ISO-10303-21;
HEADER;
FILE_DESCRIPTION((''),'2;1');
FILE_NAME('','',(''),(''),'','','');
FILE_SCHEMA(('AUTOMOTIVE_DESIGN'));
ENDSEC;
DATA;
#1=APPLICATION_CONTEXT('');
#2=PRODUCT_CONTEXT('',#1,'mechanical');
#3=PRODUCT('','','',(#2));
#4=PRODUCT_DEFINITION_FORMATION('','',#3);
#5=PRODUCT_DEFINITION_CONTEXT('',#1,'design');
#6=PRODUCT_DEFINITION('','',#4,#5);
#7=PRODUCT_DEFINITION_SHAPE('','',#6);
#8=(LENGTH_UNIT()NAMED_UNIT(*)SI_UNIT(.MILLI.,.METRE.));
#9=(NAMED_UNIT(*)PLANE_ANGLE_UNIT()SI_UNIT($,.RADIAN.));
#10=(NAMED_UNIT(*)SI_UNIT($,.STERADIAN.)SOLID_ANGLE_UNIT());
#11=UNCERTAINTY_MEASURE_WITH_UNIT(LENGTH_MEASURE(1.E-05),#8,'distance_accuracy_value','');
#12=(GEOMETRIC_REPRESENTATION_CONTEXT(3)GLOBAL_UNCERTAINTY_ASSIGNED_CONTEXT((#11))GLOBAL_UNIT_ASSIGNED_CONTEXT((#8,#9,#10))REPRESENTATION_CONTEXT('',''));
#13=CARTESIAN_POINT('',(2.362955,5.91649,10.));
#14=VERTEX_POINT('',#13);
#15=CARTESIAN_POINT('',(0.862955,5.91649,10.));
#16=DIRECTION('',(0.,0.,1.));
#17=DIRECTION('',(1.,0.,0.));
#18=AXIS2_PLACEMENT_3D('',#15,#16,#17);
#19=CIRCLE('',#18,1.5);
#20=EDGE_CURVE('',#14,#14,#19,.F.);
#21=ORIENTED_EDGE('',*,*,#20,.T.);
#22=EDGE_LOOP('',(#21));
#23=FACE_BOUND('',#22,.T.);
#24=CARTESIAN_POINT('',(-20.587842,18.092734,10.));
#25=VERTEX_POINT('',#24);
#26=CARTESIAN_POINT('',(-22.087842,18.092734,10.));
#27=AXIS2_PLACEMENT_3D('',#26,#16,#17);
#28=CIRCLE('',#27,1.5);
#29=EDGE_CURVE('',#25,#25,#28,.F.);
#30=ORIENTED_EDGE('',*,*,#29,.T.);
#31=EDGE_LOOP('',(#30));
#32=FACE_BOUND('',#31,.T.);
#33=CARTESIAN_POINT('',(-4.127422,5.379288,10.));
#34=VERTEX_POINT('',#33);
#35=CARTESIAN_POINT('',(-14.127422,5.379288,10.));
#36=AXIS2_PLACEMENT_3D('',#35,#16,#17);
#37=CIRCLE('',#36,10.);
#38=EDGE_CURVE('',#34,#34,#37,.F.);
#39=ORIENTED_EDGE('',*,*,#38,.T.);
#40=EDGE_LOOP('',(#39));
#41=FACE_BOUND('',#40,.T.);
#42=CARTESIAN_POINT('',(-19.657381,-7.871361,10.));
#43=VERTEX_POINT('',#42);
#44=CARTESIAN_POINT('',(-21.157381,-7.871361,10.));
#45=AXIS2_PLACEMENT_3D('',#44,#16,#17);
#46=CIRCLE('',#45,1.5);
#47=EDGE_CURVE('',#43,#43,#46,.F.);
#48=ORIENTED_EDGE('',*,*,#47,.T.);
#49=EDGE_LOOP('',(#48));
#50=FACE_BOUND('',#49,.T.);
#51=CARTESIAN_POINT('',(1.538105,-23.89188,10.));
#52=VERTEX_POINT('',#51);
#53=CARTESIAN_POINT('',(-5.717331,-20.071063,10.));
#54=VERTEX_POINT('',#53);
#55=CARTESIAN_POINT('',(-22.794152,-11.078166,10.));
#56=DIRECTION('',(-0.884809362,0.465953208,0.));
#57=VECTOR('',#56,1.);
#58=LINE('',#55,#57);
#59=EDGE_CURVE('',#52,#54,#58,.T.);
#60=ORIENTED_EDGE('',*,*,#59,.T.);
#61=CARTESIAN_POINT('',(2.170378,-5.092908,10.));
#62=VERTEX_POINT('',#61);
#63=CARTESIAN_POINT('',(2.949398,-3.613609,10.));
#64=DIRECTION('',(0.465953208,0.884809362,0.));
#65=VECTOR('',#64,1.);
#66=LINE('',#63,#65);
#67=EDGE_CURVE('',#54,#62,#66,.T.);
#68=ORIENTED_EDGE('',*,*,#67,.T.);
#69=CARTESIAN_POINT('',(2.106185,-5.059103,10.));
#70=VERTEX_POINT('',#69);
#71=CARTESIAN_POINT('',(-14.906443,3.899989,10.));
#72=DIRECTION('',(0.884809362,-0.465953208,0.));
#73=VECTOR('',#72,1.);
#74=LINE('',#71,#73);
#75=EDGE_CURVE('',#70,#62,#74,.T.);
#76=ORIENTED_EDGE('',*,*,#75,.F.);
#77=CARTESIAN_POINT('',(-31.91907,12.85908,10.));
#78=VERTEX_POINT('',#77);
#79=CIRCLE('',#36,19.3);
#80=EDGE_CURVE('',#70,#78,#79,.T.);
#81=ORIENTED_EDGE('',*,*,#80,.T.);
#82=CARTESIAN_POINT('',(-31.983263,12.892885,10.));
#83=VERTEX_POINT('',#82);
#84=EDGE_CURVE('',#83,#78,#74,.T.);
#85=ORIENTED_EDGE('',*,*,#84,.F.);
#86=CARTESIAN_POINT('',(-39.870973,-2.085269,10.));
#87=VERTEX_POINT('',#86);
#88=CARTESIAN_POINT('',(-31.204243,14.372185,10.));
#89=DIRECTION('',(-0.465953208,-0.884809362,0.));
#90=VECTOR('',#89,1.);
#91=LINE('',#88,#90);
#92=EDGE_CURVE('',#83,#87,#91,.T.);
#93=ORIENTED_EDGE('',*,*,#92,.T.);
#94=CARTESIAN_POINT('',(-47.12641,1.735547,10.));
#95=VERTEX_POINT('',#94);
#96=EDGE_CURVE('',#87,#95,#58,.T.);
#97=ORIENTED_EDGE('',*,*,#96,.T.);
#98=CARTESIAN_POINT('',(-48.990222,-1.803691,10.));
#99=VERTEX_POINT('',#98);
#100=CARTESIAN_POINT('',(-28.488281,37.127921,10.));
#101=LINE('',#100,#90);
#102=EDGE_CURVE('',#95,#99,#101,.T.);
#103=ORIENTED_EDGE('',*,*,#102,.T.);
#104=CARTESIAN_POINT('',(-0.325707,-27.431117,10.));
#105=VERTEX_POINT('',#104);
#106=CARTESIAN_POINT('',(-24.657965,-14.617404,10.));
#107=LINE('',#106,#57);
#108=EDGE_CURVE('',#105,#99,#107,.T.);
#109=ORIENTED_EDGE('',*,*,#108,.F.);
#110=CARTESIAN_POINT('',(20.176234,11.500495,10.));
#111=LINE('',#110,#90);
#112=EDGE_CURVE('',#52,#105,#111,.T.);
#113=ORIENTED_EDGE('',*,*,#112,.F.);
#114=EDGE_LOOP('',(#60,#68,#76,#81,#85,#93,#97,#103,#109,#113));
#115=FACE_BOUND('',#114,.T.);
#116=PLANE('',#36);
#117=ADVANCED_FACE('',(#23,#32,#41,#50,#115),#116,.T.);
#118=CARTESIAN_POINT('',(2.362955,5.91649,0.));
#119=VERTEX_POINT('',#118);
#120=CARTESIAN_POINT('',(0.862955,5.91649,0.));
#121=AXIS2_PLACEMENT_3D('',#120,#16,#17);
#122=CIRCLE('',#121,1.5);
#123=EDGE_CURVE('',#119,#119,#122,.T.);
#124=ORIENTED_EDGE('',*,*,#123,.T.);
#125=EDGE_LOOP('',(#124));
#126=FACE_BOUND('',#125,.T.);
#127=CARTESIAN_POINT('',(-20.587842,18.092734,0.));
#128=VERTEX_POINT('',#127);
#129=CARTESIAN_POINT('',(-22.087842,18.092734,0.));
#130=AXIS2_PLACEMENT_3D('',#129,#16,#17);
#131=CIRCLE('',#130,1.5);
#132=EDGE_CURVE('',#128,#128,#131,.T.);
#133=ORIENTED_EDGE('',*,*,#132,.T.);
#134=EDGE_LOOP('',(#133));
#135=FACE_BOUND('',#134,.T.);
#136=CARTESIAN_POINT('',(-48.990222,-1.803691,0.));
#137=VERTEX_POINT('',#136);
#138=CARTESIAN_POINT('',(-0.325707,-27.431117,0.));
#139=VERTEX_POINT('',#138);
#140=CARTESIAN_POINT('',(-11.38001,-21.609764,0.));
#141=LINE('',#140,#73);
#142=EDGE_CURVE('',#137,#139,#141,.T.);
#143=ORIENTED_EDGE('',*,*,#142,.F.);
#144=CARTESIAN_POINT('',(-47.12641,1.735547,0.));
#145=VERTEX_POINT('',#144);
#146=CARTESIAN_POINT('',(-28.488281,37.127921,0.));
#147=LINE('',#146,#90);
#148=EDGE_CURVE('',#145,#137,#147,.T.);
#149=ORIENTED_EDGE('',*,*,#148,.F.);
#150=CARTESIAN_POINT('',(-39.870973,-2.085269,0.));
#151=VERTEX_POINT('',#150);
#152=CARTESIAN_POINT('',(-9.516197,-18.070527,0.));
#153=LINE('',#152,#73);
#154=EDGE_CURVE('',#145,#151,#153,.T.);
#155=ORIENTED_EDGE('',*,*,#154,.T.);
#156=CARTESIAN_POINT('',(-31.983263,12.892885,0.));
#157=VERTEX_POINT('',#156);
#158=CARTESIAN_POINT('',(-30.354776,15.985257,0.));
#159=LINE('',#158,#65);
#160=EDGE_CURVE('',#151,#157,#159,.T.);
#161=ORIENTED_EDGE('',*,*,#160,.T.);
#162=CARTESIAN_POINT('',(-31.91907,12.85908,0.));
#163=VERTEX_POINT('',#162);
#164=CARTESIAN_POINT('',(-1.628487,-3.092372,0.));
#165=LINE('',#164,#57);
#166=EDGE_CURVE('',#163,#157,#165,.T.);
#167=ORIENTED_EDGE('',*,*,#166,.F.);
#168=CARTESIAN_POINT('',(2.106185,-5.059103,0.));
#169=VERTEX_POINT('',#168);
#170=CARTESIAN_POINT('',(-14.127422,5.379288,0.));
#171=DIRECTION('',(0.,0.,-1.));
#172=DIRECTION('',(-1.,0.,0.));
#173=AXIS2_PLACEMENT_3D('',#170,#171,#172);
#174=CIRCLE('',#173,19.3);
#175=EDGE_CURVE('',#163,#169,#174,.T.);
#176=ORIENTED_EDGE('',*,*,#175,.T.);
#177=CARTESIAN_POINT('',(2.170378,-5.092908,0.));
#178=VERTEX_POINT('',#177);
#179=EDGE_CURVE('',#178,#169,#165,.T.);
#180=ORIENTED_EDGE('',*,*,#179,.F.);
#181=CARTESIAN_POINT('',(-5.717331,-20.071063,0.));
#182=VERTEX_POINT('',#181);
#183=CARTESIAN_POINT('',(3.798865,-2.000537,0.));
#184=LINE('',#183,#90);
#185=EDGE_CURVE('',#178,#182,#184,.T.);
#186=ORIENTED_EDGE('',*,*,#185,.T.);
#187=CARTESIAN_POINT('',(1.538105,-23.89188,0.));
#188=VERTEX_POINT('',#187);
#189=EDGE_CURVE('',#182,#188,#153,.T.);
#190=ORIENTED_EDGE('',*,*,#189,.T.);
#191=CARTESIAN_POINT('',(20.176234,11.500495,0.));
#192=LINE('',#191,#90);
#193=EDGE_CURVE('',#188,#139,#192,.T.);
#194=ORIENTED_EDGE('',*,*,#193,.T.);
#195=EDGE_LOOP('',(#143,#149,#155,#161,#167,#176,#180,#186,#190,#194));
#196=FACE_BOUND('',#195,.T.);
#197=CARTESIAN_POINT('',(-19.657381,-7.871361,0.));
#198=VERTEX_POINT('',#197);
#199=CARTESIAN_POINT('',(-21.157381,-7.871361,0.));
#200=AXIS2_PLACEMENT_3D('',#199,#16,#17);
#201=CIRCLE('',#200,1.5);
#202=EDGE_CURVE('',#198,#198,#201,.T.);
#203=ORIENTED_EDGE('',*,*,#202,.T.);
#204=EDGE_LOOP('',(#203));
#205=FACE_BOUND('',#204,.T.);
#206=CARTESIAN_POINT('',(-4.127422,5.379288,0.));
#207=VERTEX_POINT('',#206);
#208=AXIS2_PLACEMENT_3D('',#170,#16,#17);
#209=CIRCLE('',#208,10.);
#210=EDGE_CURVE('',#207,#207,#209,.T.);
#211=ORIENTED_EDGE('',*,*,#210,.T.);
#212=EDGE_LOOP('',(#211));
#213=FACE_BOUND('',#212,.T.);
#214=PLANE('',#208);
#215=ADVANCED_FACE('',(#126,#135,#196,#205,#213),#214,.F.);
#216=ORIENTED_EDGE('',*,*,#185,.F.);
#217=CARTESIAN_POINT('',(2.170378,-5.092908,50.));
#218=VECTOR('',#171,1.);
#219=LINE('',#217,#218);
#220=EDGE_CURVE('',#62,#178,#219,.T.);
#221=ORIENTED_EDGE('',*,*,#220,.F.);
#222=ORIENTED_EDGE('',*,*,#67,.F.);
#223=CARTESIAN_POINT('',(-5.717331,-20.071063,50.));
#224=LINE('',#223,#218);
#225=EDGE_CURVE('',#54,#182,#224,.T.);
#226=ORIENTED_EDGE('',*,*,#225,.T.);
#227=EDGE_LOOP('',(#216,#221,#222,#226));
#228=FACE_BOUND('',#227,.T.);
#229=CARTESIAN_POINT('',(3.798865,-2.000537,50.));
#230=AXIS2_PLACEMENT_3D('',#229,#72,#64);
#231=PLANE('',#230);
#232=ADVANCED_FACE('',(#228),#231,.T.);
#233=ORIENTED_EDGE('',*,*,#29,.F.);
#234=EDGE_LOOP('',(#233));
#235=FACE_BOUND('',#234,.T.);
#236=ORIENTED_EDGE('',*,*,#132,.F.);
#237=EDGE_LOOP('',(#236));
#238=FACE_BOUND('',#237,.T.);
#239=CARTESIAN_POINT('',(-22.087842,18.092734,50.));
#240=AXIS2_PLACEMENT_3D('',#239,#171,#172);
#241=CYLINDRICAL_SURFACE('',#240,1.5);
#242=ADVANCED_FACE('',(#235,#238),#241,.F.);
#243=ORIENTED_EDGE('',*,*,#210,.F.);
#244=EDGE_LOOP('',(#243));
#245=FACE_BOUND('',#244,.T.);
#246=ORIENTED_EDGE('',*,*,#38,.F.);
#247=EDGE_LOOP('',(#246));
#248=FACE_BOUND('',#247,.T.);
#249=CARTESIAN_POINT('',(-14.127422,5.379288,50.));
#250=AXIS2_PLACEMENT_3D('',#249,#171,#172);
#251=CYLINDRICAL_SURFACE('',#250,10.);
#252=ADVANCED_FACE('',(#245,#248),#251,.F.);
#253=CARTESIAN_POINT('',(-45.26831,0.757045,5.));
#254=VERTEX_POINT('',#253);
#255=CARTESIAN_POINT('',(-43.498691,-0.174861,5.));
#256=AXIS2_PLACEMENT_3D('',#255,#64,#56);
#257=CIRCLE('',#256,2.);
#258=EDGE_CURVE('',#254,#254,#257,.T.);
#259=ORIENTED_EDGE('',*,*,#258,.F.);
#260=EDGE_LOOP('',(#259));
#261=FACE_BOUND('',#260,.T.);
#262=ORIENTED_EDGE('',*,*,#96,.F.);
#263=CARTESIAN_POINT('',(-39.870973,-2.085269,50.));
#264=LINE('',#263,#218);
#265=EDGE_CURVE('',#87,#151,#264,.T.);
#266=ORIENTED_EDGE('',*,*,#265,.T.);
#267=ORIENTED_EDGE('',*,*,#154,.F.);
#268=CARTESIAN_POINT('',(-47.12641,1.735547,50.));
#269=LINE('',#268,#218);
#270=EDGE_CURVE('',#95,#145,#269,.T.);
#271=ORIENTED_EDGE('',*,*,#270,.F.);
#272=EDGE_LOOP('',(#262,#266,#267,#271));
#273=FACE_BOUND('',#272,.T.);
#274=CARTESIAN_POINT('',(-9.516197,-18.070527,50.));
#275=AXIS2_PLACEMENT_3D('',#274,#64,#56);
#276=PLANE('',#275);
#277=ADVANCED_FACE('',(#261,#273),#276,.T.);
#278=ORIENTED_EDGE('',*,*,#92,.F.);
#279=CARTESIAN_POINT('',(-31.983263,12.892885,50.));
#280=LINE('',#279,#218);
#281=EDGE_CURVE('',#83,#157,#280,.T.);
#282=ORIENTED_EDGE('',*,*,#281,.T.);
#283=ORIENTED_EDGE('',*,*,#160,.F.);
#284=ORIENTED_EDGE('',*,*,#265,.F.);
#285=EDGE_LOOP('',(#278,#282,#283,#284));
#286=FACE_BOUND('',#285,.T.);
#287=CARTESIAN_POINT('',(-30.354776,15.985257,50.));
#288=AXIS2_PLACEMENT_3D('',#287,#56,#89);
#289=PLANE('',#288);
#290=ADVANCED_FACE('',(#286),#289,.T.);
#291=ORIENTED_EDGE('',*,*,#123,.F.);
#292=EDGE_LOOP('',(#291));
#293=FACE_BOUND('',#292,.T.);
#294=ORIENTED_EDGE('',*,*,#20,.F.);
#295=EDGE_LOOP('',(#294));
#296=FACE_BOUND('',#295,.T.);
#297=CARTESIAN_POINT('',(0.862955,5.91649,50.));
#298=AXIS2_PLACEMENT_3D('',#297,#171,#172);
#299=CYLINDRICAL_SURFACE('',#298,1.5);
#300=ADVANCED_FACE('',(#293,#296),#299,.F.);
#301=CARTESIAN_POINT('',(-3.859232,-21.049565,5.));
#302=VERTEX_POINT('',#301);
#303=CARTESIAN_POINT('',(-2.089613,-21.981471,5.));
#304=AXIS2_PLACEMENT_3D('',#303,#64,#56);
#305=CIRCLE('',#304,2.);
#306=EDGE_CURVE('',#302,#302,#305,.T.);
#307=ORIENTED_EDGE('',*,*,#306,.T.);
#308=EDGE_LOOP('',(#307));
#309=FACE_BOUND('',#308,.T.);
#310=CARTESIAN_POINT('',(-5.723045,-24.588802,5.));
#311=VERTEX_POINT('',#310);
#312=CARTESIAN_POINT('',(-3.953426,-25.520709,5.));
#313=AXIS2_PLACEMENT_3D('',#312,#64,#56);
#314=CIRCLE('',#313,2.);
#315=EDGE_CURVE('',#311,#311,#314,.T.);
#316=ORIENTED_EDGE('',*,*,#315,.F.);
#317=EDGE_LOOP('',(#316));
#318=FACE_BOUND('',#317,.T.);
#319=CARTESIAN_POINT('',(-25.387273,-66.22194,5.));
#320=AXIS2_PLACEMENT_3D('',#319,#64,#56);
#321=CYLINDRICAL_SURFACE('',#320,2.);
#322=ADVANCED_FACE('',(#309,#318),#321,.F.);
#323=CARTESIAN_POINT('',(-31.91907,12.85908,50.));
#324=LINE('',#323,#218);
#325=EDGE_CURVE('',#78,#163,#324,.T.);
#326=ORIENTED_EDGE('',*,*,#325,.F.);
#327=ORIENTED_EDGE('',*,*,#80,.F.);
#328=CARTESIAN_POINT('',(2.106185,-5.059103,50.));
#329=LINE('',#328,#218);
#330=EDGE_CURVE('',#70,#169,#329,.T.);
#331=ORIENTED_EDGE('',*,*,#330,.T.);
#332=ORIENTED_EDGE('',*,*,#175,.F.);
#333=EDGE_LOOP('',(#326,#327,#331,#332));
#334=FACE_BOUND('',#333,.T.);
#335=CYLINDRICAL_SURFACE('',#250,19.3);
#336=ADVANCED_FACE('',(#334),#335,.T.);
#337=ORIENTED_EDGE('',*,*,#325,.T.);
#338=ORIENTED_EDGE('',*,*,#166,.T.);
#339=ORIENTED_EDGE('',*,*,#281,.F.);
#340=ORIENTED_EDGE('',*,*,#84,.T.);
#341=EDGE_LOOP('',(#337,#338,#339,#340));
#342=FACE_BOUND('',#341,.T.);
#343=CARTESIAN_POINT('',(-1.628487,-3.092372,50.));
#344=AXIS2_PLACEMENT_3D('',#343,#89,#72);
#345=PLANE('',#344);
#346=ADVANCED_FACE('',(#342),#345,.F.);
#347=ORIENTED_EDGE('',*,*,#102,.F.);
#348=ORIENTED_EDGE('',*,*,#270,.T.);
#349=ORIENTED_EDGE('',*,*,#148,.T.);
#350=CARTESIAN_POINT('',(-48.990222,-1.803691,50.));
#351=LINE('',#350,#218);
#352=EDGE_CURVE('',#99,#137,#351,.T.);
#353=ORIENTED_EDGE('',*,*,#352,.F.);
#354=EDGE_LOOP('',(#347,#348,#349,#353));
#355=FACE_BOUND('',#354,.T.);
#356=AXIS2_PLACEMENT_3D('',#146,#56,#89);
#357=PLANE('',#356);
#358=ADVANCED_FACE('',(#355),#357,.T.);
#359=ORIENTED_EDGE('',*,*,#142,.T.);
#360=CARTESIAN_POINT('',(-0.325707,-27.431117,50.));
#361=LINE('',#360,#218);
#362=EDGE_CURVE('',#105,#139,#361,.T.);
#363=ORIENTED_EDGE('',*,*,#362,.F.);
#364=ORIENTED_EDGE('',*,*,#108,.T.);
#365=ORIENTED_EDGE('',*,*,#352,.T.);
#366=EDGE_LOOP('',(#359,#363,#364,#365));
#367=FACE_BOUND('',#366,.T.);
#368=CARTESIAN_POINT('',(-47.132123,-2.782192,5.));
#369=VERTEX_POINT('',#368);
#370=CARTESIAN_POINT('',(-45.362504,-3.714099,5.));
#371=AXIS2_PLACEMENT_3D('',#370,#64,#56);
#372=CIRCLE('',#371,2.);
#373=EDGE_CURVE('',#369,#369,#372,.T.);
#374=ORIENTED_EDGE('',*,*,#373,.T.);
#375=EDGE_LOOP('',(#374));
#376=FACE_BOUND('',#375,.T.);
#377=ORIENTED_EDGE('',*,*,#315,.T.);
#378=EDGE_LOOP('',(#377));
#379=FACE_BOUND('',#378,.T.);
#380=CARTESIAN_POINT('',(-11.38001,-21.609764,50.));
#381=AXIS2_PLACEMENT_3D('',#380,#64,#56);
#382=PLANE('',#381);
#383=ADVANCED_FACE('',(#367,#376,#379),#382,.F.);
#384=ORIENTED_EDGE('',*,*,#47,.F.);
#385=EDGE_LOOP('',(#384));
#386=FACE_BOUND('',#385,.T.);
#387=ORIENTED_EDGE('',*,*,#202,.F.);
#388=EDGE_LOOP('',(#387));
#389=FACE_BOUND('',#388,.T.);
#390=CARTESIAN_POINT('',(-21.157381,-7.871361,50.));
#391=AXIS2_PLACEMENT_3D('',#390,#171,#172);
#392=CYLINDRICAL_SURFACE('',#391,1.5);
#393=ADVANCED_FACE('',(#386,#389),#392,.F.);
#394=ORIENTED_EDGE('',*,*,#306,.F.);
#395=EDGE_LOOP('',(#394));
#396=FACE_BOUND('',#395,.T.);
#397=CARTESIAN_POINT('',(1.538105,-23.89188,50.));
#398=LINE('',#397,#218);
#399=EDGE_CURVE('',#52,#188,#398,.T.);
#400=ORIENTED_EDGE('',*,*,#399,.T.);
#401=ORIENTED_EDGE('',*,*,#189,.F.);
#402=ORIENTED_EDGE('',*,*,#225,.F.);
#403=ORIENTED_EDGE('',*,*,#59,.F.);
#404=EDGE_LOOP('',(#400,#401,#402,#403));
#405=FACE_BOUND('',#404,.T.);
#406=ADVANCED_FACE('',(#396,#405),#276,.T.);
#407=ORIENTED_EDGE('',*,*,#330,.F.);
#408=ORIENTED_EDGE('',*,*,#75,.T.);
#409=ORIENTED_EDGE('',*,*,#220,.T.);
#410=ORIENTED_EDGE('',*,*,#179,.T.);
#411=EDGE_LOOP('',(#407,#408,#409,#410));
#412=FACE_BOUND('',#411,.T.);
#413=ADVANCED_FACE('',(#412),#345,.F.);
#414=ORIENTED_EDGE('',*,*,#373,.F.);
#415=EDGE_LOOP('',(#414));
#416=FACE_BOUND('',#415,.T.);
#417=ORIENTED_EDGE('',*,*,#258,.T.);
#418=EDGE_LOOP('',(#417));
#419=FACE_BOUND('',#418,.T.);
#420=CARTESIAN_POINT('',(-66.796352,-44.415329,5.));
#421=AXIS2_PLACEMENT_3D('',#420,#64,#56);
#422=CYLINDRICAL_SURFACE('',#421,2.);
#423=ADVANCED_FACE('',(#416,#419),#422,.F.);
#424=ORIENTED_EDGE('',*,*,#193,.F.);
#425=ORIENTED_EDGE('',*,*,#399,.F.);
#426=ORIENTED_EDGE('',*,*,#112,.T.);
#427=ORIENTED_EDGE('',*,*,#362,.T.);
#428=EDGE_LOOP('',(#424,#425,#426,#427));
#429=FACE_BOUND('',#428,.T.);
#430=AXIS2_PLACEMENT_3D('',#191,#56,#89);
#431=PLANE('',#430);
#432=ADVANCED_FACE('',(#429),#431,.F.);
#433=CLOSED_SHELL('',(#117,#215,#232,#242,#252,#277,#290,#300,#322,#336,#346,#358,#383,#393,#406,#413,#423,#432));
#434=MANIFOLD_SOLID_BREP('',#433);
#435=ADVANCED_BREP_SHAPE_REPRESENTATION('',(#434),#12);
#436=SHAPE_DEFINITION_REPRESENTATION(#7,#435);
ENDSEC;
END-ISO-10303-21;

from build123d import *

# Parameters (mm, degrees)
SKETCH1_R           = 19.3
SKETCH1_R_2         = 10
SKETCH1_R_3         = 1.5
BOSS_EXTRUDE1_DEPTH = 10
SKETCH2_W           = 55
SKETCH2_H           = 10
BOSS_EXTRUDE2_DEPTH = 50
CUT_EXTRUDE1_DEPTH  = 50
SKETCH5_R           = 2
CUT_EXTRUDE2_DEPTH  = 50
SKETCH1_2_R         = 10
SKETCH1_2_R_2       = 1.5
CUT_EXTRUDE3_DEPTH  = 50


with BuildPart() as part:
    # Sketch1 → Boss-Extrude1 (new body)
    with BuildSketch(Plane.XY):
        with Locations((-14.127422454, 5.37928778)):
            Circle(SKETCH1_R)
        with Locations((-14.127422454, 5.37928778)):
            Circle(SKETCH1_R_2, mode=Mode.SUBTRACT)
        with Locations((0.862954929, 5.91648973)):
            Circle(SKETCH1_R_3, mode=Mode.SUBTRACT)
        with Locations((-22.08784168, 18.092734431)):
            Circle(SKETCH1_R_3, mode=Mode.SUBTRACT)
        with Locations((-21.15738061, -7.87136082)):
            Circle(SKETCH1_R_3, mode=Mode.SUBTRACT)
    extrude(amount=BOSS_EXTRUDE1_DEPTH)

    # Sketch2 → Boss-Extrude2 (add)
    with BuildSketch(Plane(origin=(-14.175728754, -26.918620376, 0), x_dir=(0.8848093624477475, -0.46595320808511503, 0), z_dir=(-0.46595320808511503, -0.8848093624477475, 0))):
        with Locations((-15.006572053, 5)):
            Rectangle(SKETCH2_W, SKETCH2_H)
    extrude(amount=-BOSS_EXTRUDE2_DEPTH)

    # Sketch4 → Cut-Extrude1 (cut)
    with BuildSketch(Plane(origin=(0, 0, 0), x_dir=(-1, 0, 0), z_dir=(0, 0, -1))):
        with BuildLine():
            Line((-20.176233667, 11.500494914), (-1.538105343, -23.891879583))
            Line((-1.538105343, -23.891879583), (5.717331429, -20.071063277))
            Line((5.717331429, -20.071063277), (-2.170378194, -5.092908386))
            Line((-2.170378194, -5.092908386), (-2.106184539, -5.059103093))
            ThreePointArc((-2.106184539, -5.059103093), (5.134525538, 22.456108476), (31.919069541, 12.859080153))
            Line((31.919069541, 12.859080153), (31.983263196, 12.892885446))
            Line((31.983263196, 12.892885446), (39.870972819, -2.085269445))
            Line((39.870972819, -2.085269445), (47.126409591, 1.735546861))
            Line((47.126409591, 1.735546861), (28.488281268, 37.127921359))
            Line((28.488281268, 37.127921359), (-20.176233667, 11.500494914))
        make_face()
        Polygon((48.990222424, -1.803690589), (0.325707489, -27.431117033), (3.121426738, -32.739973208), (51.785941672, -7.112546763), align=None)
    extrude(amount=-CUT_EXTRUDE1_DEPTH, mode=Mode.SUBTRACT)

    # Sketch5 → Cut-Extrude2 (cut)
    with BuildSketch(Plane(origin=(-9.516196674, -18.070526751, 0), x_dir=(0.8848093624477471, -0.4659532080851159, 0), z_dir=(0.4659532080851159, 0.8848093624477471, 0))):
        with Locations((-38.406572053, -5)):
            Circle(SKETCH5_R)
        with Locations((8.393427947, -5)):
            Circle(SKETCH5_R)
    extrude(amount=-CUT_EXTRUDE2_DEPTH, mode=Mode.SUBTRACT)

    # Sketch1<2> → Cut-Extrude3 (cut)
    with BuildSketch(Plane.XY):
        with Locations((-14.127422454, 5.37928778)):
            Circle(SKETCH1_2_R)
        with Locations((0.862954929, 5.91648973)):
            Circle(SKETCH1_2_R_2)
        with Locations((-22.08784168, 18.092734431)):
            Circle(SKETCH1_2_R_2)
        with Locations((-21.15738061, -7.87136082)):
            Circle(SKETCH1_2_R_2)
    extrude(amount=CUT_EXTRUDE3_DEPTH, mode=Mode.SUBTRACT)


solid = part.part
